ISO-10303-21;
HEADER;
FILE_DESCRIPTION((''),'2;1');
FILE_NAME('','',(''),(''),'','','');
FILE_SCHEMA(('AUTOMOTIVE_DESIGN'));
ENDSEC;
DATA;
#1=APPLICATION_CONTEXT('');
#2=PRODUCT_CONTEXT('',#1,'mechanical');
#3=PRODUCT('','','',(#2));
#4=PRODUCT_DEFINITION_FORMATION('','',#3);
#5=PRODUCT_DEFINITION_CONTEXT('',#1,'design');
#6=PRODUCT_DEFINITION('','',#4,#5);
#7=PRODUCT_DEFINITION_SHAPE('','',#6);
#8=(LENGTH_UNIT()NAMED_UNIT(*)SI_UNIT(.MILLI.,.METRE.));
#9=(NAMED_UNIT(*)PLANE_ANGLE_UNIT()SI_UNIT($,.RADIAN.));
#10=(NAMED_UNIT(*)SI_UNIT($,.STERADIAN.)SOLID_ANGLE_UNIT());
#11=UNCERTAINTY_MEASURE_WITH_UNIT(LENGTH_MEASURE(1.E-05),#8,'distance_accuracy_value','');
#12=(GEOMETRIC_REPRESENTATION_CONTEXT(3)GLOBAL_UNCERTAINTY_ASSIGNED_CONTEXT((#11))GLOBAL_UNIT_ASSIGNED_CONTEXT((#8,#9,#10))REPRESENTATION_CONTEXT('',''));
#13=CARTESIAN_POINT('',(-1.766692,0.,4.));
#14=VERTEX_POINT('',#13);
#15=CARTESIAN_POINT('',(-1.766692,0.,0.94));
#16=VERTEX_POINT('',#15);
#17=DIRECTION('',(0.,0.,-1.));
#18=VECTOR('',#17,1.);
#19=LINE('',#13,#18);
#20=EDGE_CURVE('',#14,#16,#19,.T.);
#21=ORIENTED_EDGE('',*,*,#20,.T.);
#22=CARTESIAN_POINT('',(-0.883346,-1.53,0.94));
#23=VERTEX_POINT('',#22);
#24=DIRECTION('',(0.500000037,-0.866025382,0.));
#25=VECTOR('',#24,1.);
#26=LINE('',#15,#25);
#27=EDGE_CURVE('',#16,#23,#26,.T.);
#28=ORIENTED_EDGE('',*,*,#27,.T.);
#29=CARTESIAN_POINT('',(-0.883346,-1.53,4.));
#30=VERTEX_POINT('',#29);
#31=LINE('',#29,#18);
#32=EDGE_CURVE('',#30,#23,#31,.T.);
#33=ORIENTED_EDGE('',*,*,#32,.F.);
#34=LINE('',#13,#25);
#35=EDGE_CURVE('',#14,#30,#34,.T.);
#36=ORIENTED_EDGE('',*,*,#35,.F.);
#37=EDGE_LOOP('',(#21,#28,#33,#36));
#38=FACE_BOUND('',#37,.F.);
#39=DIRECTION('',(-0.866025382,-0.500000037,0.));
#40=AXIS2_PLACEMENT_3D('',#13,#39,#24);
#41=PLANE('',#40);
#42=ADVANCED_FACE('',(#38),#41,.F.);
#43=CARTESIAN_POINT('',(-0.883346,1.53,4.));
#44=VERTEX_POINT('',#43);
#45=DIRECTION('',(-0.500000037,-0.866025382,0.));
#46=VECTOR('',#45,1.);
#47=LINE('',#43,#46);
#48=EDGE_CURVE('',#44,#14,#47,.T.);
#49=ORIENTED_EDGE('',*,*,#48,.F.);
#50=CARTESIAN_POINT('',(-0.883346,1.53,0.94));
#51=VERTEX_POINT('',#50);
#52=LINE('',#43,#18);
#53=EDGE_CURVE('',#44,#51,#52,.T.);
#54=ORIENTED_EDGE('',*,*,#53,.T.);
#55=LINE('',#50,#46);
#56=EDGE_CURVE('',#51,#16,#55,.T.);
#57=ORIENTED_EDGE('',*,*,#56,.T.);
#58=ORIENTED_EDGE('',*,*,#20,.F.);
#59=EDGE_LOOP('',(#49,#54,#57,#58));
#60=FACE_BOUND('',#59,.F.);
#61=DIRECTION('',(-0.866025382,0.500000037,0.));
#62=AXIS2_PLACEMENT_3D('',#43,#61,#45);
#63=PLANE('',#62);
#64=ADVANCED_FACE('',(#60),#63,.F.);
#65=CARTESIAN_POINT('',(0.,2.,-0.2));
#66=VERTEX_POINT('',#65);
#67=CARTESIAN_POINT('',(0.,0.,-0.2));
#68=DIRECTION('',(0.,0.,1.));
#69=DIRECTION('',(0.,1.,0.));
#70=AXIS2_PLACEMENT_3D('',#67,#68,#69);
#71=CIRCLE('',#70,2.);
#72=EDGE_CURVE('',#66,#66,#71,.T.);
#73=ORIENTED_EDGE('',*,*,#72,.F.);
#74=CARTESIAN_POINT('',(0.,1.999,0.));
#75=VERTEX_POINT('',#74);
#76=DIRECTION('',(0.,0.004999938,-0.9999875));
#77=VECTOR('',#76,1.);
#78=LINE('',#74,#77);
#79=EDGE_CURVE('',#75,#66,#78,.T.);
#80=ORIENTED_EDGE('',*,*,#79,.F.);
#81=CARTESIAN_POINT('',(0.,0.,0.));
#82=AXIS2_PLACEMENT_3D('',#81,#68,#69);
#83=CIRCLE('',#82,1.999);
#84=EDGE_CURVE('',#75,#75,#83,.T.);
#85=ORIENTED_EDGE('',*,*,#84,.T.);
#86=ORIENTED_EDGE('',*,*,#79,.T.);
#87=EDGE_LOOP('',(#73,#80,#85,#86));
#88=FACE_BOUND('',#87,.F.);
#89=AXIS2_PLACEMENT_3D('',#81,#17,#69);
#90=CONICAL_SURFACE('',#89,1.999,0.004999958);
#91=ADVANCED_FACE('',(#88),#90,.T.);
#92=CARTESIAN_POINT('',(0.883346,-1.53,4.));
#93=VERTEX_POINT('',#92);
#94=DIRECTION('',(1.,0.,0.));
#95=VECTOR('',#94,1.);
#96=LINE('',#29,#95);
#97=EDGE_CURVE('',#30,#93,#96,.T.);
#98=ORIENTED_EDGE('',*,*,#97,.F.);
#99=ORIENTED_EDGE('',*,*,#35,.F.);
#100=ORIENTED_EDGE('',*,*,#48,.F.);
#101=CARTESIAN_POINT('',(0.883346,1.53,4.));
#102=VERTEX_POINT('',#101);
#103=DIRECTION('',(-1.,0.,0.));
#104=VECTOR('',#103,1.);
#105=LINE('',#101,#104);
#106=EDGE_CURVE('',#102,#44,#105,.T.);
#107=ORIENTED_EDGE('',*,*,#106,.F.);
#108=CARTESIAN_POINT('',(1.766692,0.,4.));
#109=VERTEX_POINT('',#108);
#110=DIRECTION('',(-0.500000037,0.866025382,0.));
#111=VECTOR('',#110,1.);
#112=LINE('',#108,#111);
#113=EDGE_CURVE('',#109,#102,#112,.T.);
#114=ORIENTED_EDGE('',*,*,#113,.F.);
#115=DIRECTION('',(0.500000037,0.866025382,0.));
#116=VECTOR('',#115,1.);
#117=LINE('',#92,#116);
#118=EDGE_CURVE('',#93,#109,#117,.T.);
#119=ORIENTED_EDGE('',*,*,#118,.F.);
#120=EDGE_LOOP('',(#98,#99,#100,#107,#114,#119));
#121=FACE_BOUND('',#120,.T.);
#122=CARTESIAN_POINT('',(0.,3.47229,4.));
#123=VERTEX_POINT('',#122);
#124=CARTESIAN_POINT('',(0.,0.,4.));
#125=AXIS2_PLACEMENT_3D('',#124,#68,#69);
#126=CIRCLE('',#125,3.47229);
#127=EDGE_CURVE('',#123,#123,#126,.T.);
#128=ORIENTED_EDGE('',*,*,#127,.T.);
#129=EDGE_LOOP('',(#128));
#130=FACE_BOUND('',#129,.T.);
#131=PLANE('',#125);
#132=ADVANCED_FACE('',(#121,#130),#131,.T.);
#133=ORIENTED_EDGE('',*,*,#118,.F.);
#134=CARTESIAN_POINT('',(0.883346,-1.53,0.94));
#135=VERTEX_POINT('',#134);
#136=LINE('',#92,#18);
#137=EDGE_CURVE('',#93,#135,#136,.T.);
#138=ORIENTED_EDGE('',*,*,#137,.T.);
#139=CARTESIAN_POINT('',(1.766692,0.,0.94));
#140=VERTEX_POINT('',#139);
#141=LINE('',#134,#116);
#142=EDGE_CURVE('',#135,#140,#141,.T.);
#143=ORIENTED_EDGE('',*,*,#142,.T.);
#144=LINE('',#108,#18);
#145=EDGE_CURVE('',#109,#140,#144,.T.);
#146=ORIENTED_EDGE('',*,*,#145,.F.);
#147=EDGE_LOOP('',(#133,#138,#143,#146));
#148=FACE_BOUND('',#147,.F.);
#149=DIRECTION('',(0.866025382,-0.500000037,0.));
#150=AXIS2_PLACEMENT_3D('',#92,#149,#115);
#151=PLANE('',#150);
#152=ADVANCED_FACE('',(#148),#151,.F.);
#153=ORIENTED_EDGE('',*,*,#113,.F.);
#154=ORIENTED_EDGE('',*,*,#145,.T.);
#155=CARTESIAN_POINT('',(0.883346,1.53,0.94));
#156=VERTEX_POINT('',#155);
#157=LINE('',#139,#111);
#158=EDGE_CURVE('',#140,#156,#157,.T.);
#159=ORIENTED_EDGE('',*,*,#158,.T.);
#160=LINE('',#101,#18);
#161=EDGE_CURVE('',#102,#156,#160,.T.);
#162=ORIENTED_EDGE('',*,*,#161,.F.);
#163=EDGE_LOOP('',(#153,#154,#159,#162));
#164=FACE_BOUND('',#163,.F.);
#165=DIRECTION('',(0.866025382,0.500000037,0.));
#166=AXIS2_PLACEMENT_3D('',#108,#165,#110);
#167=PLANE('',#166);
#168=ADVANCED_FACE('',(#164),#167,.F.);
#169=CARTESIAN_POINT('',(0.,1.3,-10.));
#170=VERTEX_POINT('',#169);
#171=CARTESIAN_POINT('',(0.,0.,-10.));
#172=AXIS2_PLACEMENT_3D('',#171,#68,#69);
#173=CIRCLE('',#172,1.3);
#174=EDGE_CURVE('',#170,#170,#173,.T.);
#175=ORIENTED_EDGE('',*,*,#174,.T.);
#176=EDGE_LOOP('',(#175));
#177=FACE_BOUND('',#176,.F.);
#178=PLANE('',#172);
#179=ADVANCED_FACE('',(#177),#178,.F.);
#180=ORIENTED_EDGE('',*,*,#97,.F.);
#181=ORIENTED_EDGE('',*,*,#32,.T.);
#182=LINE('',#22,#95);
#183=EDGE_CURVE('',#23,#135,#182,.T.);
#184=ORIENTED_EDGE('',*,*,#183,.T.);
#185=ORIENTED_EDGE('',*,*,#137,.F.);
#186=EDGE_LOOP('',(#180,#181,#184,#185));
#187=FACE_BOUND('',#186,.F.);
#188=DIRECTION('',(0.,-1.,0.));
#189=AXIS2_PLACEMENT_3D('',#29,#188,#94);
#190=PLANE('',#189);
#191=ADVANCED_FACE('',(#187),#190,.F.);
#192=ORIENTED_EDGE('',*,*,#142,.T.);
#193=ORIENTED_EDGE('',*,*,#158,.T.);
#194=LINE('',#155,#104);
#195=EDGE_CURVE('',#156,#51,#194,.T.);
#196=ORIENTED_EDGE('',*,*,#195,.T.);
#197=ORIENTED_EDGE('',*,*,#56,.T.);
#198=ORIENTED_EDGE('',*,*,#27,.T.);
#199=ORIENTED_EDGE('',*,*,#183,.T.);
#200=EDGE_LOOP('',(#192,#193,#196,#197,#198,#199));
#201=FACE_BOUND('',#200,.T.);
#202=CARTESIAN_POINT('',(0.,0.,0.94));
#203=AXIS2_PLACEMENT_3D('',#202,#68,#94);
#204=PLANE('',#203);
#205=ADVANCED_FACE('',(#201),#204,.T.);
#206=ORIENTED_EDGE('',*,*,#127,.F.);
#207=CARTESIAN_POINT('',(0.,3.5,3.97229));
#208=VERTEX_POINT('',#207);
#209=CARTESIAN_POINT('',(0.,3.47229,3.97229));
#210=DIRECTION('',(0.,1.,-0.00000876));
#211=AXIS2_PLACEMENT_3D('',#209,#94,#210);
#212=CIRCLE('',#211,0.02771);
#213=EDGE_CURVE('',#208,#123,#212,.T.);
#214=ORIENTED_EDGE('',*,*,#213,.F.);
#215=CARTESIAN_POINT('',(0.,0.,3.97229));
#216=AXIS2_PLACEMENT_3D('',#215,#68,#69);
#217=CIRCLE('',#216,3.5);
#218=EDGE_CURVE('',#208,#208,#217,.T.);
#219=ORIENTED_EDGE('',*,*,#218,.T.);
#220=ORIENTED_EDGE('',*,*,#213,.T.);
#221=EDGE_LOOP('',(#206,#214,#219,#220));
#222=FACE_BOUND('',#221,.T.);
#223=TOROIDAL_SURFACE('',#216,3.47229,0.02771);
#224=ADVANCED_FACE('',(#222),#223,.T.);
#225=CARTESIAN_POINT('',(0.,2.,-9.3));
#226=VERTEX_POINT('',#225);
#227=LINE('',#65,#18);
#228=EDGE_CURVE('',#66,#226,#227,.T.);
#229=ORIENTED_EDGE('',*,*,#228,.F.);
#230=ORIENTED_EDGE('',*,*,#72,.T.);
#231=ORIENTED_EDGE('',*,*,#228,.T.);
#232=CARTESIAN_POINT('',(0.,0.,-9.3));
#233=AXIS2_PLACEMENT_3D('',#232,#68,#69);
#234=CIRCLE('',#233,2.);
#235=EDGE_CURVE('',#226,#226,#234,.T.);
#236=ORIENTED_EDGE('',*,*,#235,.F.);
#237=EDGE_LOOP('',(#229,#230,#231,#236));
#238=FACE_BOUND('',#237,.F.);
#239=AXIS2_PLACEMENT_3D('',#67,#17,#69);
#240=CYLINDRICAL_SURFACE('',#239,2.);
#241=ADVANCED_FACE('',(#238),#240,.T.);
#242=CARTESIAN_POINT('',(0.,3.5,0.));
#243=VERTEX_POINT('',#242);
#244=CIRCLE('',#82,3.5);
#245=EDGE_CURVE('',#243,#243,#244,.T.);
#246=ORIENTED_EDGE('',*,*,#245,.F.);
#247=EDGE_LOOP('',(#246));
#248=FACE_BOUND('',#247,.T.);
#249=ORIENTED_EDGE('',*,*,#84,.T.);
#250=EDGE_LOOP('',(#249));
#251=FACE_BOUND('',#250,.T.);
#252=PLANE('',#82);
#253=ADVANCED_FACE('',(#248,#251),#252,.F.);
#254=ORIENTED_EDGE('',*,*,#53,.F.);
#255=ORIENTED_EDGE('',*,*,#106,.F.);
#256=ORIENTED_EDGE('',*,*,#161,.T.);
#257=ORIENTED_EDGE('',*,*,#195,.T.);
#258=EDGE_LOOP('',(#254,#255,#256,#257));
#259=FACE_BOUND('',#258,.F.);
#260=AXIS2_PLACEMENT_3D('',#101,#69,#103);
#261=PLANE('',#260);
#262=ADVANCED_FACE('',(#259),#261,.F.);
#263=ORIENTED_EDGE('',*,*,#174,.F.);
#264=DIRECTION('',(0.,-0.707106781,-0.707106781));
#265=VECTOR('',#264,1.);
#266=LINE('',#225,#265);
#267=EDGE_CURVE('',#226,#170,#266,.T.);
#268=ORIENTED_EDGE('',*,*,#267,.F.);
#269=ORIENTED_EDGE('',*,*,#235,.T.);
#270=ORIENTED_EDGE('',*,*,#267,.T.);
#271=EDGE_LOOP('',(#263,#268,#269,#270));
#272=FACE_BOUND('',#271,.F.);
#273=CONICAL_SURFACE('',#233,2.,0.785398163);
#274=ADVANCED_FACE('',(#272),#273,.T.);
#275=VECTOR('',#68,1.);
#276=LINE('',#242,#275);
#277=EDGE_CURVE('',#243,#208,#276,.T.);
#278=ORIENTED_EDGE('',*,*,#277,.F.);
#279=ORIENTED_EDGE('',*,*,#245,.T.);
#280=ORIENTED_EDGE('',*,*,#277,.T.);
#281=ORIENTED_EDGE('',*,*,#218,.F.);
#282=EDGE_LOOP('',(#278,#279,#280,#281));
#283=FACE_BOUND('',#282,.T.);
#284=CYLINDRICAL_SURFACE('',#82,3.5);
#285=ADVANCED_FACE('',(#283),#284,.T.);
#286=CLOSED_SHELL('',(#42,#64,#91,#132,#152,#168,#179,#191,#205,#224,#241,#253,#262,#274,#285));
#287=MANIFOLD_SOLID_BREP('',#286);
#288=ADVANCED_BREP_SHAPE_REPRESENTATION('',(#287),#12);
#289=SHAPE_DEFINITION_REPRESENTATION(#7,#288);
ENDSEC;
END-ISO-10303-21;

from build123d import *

# Parameters (mm, degrees)
POCKET_DEPTH = 3.06


with BuildPart() as part:
    # Sketch → Revolve (revolve)
    with BuildSketch(Plane.YZ):
        with BuildLine():
            Line((1.999, 0), (3.5, 0))
            Line((3.5, 0), (3.5, 3.97229))
            ThreePointArc((3.5, 3.97229), (3.491884, 3.991884), (3.47229, 4))
            Line((3.47229, 4), (0, 4))
            Line((0, -10), (0, 4))
            Line((1.3, -10), (0, -10))
            Line((2, -9.3), (1.3, -10))
            Line((2, -0.2), (2, -9.3))
            Line((1.999, 0), (2, -0.2))
        make_face()
    revolve(axis=Axis((0, 0, 0), (0, 0, 1)))

    # Sketch001 → Pocket (cut)
    with BuildSketch(Plane.XY.offset(4)):
        Polygon((1.766692, 0), (0.883346, 1.53), (-0.883346, 1.53), (-1.766692, 0), (-0.883346, -1.53), (0.883346, -1.53), align=None)
    extrude(amount=-POCKET_DEPTH, mode=Mode.SUBTRACT)


solid = part.part
